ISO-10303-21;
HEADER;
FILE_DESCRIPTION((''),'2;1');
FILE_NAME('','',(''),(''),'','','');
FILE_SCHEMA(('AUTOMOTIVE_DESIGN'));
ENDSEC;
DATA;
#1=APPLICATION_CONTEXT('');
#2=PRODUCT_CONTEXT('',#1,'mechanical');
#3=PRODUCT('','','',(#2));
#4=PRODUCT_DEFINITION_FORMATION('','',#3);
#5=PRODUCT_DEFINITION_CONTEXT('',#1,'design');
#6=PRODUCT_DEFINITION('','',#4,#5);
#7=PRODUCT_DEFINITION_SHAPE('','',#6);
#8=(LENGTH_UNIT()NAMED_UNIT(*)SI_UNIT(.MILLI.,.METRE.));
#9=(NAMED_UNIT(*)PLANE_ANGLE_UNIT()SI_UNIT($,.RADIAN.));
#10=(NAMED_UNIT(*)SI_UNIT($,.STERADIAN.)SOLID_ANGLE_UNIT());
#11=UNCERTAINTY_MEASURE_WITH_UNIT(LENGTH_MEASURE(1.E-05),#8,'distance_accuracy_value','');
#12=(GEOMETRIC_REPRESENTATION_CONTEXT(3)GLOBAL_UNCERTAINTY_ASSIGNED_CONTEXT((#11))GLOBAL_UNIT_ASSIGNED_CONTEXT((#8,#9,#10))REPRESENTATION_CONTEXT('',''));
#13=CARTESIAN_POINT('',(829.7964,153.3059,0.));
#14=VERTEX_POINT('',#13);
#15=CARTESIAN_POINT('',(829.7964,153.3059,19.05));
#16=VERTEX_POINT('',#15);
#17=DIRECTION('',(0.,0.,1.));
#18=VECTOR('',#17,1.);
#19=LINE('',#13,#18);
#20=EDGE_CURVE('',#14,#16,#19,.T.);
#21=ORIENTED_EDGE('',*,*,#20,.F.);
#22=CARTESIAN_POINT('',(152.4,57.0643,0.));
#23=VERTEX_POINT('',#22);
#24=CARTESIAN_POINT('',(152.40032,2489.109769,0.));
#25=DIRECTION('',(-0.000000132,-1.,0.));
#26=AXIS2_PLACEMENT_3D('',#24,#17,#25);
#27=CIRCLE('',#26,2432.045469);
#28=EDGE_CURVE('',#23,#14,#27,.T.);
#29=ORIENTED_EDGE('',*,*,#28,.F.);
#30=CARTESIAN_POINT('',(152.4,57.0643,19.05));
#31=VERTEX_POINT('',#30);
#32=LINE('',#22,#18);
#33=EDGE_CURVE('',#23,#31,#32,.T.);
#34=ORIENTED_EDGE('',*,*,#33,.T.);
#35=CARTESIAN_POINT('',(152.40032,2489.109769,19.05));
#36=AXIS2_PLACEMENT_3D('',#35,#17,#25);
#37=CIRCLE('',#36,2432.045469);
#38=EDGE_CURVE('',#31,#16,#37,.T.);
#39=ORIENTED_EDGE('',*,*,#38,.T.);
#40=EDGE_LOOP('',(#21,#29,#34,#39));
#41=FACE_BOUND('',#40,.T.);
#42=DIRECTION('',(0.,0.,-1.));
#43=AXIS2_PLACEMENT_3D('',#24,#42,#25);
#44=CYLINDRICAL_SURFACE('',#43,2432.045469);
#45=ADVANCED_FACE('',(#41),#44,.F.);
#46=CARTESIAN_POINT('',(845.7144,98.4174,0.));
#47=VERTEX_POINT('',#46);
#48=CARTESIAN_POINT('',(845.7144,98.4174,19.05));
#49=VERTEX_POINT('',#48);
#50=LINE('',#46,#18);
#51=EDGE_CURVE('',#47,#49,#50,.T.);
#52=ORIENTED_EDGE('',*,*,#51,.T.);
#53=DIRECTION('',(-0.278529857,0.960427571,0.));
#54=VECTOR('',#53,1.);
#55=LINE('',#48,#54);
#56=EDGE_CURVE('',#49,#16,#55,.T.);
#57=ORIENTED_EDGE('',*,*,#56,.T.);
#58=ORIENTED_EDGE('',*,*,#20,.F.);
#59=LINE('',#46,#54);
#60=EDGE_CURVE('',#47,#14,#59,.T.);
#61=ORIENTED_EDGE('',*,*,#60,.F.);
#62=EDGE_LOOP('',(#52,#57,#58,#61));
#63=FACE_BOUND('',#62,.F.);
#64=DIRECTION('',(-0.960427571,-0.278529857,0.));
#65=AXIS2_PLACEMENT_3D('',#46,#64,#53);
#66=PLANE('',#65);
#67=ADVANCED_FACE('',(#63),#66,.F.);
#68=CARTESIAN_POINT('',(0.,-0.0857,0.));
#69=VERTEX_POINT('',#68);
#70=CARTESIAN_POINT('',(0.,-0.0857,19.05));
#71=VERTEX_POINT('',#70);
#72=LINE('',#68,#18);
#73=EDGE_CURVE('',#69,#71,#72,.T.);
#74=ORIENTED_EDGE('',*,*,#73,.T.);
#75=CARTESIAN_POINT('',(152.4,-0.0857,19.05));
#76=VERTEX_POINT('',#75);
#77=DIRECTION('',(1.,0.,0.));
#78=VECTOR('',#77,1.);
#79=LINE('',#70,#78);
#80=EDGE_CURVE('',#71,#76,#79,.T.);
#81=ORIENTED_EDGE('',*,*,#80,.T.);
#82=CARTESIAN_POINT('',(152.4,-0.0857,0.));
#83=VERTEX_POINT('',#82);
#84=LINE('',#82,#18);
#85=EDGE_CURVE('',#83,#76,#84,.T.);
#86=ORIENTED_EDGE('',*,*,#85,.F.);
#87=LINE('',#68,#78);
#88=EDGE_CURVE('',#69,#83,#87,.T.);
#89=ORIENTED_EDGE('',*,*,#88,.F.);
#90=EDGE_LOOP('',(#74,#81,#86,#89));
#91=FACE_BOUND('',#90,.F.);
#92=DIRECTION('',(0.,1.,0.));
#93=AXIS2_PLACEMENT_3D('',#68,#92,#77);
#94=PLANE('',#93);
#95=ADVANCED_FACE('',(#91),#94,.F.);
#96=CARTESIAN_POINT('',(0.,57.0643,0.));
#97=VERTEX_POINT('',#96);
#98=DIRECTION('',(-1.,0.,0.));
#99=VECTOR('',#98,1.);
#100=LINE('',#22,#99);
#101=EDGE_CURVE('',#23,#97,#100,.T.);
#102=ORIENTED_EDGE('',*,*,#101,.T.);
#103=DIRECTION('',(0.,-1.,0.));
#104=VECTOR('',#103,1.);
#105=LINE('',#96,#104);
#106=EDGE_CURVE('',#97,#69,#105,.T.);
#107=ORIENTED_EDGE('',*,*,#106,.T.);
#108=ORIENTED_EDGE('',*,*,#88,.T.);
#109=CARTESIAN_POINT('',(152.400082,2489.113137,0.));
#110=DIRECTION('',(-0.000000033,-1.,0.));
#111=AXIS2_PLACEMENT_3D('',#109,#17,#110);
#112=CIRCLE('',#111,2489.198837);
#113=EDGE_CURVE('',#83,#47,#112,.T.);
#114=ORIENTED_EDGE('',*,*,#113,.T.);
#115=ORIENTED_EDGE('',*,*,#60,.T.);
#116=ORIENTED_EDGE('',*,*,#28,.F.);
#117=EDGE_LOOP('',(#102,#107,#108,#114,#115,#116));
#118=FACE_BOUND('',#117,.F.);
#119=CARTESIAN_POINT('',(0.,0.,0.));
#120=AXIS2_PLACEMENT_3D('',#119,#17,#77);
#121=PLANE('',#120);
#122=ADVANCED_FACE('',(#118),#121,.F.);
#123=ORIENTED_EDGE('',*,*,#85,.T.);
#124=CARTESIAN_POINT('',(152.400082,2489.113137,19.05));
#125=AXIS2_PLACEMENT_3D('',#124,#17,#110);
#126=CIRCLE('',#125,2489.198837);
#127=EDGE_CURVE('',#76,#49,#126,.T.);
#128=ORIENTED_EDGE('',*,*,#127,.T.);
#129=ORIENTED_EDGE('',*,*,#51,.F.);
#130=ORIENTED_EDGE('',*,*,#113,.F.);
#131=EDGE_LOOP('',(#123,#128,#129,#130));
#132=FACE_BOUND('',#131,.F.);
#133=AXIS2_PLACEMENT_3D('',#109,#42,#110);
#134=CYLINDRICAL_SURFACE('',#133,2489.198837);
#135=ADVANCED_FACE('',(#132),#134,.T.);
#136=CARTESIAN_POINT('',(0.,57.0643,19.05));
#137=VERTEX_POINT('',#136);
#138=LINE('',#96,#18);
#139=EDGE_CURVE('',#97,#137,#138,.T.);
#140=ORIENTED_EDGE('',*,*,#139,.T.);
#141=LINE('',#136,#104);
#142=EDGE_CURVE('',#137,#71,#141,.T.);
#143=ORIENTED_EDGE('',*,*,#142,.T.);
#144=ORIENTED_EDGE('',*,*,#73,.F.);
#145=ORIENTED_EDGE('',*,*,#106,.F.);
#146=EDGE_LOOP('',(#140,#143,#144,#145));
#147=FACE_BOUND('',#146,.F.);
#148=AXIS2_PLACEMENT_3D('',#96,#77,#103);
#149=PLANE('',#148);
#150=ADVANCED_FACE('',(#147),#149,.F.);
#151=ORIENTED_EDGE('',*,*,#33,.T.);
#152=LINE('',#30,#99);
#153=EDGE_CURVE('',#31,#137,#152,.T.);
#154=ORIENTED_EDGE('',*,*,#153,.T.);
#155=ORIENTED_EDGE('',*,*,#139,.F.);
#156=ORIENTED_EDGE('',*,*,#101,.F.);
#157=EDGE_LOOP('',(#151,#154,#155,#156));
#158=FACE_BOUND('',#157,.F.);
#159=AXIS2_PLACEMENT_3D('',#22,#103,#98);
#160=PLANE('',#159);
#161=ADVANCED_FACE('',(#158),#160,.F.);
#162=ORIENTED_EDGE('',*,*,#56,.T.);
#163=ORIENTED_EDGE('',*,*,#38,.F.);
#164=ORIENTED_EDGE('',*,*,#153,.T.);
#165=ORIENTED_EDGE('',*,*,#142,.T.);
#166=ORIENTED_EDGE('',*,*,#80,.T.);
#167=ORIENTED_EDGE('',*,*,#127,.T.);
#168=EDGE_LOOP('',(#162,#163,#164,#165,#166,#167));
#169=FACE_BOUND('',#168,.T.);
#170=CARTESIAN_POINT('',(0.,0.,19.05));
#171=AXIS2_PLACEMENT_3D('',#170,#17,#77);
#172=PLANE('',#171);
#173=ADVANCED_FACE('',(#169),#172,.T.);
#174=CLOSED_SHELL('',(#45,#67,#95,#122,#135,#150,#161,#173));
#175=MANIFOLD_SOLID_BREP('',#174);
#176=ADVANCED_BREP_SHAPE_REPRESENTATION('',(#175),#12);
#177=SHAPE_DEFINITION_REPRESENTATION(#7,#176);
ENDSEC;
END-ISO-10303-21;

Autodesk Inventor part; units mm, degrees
ref_plane "YZ Plane" through (0, 0, 0) normal (1, 0, 0) x (0, 1, 0)
ref_plane "XZ Plane" through (0, 0, 0) normal (0, 1, 0) x (-1, 0, 0)
ref_plane "XY Plane" through (0, 0, 0) normal (0, 0, 1) x (1, 0, 0)
sketch "Sketch1" plane through (0, 0, 0) normal (0, 0, 1) x (1, 0, 0)
  arc A0 (152.4, 57.0643) -> (829.7964, 153.3059) centre (152.4, 2489.1143) ccw
  line L0 (152.4, 57.0643) -> (0, 57.0643)
  line L1 (0, 57.0643) -> (0, -0.0857)
  line L2 (0, -0.0857) -> (152.4, -0.0857)
  arc A1 (152.4, -0.0857) -> (845.7144, 98.4174) centre (152.4, 2489.1143) ccw
  line L3 (845.7144, 98.4174) -> (829.7964, 153.3059)
  point P0 (0, 0)
extrude "Extrusion1" add sketch "Sketch1" along normal blind 19.05
properties part number "nd-6"
